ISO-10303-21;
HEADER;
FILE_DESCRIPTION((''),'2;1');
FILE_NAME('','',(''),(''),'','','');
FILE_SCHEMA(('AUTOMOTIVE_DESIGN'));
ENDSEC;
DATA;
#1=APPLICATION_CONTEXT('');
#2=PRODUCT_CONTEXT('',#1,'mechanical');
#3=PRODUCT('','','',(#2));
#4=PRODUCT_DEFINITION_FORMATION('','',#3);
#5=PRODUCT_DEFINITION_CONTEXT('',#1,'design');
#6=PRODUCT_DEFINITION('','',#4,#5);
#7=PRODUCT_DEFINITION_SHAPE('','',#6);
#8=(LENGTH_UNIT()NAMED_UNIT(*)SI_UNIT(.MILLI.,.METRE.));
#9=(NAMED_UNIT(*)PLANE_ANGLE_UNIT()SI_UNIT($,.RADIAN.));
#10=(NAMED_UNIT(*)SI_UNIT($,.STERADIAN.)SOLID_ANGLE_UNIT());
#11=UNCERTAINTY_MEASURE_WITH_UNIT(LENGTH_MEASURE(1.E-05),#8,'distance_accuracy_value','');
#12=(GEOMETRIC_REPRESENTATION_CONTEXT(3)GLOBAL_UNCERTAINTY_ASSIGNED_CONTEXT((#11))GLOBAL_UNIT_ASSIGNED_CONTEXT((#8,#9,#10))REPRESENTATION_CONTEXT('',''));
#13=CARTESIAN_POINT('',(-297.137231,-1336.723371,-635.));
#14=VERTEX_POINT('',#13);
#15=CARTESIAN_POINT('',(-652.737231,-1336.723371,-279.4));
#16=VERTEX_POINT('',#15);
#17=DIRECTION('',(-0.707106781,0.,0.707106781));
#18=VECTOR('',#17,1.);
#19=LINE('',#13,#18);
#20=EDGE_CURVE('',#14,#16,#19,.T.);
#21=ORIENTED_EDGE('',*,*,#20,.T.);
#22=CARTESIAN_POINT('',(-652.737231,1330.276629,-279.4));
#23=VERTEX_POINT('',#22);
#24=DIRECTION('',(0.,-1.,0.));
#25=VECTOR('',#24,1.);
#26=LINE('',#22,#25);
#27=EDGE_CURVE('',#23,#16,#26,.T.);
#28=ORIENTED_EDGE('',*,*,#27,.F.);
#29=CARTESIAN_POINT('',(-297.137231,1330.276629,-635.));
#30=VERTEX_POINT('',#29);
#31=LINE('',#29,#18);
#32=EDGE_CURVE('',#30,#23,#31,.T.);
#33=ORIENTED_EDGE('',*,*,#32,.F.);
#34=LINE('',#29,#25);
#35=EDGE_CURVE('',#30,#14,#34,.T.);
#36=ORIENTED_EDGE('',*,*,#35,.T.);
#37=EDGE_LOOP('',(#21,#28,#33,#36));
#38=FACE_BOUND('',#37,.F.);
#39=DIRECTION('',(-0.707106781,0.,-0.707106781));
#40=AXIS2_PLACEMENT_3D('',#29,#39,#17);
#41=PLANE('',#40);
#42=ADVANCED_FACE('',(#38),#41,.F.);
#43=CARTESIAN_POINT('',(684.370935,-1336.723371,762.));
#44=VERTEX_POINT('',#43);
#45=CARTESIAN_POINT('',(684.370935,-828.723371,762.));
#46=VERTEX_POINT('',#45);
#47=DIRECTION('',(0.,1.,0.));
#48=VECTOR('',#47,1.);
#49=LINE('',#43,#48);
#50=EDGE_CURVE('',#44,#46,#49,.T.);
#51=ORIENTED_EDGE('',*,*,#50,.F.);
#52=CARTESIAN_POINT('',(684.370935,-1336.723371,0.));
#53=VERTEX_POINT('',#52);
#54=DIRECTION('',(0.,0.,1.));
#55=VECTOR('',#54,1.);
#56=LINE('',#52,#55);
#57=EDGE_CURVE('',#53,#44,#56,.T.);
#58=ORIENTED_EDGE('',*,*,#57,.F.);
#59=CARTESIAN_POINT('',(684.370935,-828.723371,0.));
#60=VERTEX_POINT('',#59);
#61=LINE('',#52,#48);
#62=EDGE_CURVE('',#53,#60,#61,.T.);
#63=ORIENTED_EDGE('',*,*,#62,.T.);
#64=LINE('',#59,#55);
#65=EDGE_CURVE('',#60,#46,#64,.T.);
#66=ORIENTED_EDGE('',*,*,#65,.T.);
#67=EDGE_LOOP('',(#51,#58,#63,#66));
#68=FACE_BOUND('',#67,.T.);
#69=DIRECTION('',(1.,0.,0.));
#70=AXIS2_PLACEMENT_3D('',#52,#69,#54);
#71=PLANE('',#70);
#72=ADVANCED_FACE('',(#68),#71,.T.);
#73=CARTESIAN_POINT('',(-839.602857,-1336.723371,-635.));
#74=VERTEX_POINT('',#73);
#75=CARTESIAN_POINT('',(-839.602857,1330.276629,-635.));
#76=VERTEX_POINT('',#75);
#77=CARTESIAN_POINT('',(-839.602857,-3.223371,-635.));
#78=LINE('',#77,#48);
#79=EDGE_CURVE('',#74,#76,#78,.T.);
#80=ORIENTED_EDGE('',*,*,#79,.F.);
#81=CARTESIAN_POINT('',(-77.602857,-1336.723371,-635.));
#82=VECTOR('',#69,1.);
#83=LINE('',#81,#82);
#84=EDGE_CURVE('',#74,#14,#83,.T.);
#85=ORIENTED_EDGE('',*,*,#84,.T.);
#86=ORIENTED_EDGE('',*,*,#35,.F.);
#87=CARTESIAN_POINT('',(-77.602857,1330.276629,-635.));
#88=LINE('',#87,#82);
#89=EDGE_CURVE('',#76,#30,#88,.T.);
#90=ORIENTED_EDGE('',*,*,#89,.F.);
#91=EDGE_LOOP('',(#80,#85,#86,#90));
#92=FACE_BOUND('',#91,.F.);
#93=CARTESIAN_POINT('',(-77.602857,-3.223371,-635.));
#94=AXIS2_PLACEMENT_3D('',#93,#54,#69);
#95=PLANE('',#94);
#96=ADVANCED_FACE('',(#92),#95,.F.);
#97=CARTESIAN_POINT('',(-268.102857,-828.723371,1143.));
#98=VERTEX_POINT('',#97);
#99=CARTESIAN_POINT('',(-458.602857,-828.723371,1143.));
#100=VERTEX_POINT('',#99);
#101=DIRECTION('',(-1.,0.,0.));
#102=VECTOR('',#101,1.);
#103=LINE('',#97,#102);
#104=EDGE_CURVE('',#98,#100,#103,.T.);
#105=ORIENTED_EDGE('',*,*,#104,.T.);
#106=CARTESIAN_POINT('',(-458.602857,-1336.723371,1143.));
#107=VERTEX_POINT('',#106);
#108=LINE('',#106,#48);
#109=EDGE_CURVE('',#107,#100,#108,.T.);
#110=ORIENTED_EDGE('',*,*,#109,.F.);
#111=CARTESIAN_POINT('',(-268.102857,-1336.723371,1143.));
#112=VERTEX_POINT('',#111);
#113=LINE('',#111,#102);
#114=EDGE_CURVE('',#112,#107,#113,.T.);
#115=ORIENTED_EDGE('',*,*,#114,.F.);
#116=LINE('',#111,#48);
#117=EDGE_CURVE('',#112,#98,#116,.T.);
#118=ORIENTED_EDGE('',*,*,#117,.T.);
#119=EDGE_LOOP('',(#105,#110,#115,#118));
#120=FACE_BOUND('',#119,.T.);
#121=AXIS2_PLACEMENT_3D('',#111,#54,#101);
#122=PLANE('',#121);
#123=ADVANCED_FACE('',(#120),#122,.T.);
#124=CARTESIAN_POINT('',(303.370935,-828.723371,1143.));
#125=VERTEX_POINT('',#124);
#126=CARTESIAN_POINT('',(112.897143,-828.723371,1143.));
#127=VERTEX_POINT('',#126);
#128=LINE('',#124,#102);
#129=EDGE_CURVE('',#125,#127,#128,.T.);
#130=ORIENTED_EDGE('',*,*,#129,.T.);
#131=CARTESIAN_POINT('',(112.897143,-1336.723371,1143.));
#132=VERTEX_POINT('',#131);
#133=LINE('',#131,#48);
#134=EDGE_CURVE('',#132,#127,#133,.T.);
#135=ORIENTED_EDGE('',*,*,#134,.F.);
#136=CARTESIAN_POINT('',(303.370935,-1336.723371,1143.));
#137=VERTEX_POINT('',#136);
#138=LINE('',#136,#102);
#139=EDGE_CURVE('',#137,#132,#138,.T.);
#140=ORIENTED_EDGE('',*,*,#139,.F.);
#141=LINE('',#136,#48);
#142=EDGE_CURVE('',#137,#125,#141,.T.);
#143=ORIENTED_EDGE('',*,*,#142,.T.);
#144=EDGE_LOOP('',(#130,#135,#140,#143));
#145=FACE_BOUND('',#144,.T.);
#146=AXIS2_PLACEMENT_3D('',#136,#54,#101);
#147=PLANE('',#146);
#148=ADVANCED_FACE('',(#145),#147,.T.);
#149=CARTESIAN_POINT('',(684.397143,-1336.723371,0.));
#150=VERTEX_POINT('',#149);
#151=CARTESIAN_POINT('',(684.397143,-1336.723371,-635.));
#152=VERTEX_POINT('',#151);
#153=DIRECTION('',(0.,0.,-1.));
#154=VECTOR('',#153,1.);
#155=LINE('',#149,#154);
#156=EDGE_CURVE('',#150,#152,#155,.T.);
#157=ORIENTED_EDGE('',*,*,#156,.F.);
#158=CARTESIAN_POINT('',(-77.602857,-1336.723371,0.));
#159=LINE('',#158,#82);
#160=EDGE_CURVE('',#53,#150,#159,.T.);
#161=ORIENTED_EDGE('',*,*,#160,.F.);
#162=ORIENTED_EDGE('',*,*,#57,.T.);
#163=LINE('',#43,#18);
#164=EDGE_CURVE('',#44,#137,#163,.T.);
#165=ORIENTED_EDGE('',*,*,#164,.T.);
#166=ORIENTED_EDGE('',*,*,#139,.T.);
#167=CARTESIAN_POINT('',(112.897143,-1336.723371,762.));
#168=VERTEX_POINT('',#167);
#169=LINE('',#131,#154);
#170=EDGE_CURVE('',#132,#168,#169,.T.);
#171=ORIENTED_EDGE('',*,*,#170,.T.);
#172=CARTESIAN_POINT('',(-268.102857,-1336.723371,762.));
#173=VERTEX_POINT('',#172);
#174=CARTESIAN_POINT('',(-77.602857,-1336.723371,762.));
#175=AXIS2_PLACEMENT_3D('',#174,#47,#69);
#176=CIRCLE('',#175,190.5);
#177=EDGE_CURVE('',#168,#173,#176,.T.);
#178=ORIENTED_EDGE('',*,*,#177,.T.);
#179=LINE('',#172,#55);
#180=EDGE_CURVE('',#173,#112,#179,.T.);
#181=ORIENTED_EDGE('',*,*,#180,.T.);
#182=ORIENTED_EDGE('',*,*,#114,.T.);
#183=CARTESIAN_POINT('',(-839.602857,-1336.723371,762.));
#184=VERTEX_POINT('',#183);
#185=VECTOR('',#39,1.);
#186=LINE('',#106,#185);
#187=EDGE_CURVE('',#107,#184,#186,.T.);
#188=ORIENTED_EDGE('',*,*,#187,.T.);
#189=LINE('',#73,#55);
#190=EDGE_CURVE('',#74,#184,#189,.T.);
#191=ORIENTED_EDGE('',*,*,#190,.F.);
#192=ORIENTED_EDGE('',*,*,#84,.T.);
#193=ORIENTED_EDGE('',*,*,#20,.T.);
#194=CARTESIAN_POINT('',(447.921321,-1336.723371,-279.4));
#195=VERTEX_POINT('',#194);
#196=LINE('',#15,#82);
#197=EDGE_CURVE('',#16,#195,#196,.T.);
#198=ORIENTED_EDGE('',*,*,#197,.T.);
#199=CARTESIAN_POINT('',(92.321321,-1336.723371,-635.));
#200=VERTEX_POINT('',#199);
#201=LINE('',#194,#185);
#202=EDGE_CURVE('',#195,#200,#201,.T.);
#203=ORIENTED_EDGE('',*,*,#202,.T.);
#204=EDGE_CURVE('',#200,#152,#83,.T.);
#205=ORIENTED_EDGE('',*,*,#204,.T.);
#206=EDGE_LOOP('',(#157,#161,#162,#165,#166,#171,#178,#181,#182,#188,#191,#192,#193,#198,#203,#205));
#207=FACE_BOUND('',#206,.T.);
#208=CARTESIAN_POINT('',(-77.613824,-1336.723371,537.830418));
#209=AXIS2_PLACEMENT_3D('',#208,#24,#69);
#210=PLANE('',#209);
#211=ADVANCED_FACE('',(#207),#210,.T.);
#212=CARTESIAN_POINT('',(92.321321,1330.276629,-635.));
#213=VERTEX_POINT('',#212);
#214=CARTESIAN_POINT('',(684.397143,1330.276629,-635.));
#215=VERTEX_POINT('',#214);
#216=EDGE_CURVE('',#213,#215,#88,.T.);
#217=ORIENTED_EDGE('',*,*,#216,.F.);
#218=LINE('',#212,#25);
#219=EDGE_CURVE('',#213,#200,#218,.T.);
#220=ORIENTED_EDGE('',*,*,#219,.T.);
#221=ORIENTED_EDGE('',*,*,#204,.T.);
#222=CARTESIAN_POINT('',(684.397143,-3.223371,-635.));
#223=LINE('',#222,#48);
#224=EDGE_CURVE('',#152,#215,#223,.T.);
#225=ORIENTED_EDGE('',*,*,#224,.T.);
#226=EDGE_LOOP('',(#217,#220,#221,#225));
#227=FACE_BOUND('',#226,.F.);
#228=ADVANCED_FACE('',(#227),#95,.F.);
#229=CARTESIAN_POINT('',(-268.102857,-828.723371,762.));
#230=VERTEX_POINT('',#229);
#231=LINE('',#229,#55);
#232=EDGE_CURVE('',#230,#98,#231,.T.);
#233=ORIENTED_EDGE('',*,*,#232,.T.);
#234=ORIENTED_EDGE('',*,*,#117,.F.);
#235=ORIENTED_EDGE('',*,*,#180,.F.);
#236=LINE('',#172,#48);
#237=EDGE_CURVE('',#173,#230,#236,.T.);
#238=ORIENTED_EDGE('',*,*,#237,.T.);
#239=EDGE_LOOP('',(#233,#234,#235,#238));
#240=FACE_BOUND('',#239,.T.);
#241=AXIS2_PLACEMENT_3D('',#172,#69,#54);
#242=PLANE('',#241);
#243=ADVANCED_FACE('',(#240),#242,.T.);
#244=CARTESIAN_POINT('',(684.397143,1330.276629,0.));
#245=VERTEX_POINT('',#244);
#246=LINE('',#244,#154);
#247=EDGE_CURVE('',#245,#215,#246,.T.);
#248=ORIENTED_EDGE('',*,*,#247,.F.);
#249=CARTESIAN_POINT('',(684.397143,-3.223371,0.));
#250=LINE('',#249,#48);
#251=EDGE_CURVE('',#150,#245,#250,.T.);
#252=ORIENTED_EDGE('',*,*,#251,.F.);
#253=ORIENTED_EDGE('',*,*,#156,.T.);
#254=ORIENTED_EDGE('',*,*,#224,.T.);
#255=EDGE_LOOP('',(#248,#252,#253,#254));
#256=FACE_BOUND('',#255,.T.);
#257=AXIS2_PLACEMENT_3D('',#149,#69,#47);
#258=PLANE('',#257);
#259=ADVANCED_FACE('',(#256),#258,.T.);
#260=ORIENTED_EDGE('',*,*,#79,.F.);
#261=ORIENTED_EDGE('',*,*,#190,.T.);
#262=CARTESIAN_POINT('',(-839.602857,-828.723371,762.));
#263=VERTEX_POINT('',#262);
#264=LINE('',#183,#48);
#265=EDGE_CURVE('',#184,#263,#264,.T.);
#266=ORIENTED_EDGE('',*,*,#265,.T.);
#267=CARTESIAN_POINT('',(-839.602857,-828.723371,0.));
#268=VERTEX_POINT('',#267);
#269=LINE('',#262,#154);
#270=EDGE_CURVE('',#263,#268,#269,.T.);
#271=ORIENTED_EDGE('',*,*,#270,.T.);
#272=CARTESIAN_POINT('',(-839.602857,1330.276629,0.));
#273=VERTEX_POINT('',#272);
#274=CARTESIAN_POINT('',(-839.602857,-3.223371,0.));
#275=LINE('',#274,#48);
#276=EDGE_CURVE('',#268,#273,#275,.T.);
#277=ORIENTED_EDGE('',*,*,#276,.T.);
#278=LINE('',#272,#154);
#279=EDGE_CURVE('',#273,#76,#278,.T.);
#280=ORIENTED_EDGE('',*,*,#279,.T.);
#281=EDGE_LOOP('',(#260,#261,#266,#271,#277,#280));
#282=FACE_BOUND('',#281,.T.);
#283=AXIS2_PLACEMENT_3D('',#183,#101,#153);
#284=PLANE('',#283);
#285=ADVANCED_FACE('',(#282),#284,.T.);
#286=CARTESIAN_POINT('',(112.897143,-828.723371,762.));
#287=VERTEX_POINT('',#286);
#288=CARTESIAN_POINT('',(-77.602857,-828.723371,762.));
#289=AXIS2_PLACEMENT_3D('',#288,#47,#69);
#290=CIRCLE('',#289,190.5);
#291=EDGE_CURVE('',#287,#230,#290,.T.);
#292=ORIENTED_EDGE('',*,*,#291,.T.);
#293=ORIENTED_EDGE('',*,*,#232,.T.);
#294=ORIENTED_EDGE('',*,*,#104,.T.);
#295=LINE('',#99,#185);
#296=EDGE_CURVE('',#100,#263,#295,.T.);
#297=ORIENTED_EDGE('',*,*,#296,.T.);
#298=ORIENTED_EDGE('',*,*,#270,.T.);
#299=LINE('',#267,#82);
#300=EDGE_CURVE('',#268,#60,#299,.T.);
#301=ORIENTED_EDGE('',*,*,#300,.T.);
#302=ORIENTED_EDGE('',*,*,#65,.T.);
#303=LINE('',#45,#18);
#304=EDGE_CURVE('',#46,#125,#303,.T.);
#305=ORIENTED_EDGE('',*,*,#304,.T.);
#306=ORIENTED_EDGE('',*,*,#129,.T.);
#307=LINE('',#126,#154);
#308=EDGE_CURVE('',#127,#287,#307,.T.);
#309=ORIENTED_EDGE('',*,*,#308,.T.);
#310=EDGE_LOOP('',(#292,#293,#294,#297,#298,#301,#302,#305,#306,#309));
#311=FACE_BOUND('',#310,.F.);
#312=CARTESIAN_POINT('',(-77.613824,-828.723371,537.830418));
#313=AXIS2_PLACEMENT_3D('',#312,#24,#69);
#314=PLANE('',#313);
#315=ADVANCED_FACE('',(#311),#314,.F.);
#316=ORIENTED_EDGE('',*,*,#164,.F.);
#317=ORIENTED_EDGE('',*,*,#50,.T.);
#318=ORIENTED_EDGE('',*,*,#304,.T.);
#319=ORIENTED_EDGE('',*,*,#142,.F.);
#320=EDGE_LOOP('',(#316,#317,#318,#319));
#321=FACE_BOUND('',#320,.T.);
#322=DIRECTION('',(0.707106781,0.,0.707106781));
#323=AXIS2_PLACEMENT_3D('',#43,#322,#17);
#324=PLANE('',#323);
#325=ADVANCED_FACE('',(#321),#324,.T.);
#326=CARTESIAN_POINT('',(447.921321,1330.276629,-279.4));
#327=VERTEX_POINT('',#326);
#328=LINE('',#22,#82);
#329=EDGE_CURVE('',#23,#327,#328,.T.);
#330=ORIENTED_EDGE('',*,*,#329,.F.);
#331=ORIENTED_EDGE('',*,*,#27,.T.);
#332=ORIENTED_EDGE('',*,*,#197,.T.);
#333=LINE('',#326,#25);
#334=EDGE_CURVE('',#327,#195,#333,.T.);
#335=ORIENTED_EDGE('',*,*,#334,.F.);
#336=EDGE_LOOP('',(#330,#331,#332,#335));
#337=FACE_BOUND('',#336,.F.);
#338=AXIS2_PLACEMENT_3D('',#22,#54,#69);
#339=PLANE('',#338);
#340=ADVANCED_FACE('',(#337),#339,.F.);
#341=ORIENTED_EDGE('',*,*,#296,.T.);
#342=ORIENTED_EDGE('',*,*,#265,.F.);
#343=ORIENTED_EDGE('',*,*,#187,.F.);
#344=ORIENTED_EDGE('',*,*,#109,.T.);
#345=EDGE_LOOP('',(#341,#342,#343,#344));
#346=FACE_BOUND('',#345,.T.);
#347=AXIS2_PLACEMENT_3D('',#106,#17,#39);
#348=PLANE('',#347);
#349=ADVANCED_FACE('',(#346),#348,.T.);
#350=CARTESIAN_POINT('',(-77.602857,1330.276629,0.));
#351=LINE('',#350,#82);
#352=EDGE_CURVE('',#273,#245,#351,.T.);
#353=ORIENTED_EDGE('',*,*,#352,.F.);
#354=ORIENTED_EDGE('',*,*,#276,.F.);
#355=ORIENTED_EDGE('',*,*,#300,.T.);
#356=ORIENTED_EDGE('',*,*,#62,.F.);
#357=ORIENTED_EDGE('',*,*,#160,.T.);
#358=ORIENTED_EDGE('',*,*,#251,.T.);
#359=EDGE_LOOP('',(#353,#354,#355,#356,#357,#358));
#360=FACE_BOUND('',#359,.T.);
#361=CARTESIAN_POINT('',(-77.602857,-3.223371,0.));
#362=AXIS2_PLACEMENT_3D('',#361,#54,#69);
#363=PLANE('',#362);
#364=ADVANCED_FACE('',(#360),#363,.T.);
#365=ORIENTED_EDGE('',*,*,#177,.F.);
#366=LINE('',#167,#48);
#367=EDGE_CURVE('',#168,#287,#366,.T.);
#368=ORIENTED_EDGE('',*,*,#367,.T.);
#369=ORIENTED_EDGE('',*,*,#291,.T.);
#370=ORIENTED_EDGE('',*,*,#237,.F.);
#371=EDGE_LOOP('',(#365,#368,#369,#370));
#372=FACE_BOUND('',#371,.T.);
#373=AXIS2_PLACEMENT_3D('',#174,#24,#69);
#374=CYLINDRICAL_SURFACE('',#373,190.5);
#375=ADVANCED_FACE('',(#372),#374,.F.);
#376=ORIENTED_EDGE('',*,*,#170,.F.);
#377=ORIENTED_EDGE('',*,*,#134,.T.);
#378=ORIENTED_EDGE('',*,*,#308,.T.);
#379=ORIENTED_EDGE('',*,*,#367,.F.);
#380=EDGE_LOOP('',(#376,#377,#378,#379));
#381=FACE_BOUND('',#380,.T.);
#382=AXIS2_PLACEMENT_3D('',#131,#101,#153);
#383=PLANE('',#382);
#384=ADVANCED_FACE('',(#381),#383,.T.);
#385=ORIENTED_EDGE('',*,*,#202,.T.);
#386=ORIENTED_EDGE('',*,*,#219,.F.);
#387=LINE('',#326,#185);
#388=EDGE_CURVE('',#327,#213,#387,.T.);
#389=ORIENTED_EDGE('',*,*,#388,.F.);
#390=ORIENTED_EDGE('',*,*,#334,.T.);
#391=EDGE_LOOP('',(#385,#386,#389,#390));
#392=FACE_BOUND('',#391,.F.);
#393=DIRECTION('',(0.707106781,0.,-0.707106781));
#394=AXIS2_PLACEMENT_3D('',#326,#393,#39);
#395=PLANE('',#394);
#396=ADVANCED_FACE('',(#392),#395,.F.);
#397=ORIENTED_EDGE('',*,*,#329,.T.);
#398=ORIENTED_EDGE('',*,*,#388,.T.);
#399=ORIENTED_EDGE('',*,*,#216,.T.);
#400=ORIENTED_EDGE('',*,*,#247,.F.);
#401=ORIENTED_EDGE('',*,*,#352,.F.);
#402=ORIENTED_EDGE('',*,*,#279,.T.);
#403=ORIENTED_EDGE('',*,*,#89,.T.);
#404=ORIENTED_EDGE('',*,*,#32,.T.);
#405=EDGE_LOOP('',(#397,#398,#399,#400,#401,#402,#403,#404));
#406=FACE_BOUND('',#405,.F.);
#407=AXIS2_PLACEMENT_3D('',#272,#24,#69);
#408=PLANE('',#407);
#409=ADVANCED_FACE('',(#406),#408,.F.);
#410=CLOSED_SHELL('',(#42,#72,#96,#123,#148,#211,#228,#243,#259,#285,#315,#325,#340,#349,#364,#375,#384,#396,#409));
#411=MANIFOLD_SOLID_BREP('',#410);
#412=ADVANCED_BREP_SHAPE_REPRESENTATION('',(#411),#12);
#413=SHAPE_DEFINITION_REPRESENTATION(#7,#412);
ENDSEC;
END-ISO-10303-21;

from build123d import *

# Parameters (mm, degrees)
F0_W     = 1524
F0_H     = 2667
F1_DEPTH = 635
F4_DEPTH = 508
F6_DEPTH = 2667


with BuildPart() as f1:
    # F0 (on Top) → F1 (new body)
    with BuildSketch(Plane.XY):
        with Locations((-77.602857, -3.223371)):
            Rectangle(F0_W, F0_H)
    extrude(amount=-F1_DEPTH)

    # F3 (on face) → F4 (join)
    with BuildSketch(Plane.XZ.offset(1336.723371)):
        with BuildLine():
            Line((-839.602857, 762), (-839.602857, 0))
            Line((-839.602857, 0), (684.370935, 0))
            Line((684.370935, 0), (684.370935, 762))
            Line((684.370935, 762), (303.370935, 1143))
            Line((303.370935, 1143), (112.897143, 1143))
            Line((112.897143, 1143), (112.897143, 762))
            ThreePointArc((112.897143, 762), (-77.602857, 571.5), (-268.102857, 762))
            Line((-268.102857, 762), (-268.102857, 1143))
            Line((-268.102857, 1143), (-458.602857, 1143))
            Line((-458.602857, 1143), (-839.602857, 762))
        make_face()
    extrude(amount=-F4_DEPTH)

    # F5 (on face) → F6 (cut)
    with BuildSketch(Plane(origin=(0, 1330.276629, 0), x_dir=(-1, 0, 0), z_dir=(0, 1, 0))):
        Polygon((-447.921321, -279.4), (-92.321321, -635), (-92.321321, -854.684353), (309.403628, -854.684353), (297.137231, -635), (652.737231, -279.4), align=None)
    extrude(amount=-F6_DEPTH, mode=Mode.SUBTRACT)


solid = f1.part
